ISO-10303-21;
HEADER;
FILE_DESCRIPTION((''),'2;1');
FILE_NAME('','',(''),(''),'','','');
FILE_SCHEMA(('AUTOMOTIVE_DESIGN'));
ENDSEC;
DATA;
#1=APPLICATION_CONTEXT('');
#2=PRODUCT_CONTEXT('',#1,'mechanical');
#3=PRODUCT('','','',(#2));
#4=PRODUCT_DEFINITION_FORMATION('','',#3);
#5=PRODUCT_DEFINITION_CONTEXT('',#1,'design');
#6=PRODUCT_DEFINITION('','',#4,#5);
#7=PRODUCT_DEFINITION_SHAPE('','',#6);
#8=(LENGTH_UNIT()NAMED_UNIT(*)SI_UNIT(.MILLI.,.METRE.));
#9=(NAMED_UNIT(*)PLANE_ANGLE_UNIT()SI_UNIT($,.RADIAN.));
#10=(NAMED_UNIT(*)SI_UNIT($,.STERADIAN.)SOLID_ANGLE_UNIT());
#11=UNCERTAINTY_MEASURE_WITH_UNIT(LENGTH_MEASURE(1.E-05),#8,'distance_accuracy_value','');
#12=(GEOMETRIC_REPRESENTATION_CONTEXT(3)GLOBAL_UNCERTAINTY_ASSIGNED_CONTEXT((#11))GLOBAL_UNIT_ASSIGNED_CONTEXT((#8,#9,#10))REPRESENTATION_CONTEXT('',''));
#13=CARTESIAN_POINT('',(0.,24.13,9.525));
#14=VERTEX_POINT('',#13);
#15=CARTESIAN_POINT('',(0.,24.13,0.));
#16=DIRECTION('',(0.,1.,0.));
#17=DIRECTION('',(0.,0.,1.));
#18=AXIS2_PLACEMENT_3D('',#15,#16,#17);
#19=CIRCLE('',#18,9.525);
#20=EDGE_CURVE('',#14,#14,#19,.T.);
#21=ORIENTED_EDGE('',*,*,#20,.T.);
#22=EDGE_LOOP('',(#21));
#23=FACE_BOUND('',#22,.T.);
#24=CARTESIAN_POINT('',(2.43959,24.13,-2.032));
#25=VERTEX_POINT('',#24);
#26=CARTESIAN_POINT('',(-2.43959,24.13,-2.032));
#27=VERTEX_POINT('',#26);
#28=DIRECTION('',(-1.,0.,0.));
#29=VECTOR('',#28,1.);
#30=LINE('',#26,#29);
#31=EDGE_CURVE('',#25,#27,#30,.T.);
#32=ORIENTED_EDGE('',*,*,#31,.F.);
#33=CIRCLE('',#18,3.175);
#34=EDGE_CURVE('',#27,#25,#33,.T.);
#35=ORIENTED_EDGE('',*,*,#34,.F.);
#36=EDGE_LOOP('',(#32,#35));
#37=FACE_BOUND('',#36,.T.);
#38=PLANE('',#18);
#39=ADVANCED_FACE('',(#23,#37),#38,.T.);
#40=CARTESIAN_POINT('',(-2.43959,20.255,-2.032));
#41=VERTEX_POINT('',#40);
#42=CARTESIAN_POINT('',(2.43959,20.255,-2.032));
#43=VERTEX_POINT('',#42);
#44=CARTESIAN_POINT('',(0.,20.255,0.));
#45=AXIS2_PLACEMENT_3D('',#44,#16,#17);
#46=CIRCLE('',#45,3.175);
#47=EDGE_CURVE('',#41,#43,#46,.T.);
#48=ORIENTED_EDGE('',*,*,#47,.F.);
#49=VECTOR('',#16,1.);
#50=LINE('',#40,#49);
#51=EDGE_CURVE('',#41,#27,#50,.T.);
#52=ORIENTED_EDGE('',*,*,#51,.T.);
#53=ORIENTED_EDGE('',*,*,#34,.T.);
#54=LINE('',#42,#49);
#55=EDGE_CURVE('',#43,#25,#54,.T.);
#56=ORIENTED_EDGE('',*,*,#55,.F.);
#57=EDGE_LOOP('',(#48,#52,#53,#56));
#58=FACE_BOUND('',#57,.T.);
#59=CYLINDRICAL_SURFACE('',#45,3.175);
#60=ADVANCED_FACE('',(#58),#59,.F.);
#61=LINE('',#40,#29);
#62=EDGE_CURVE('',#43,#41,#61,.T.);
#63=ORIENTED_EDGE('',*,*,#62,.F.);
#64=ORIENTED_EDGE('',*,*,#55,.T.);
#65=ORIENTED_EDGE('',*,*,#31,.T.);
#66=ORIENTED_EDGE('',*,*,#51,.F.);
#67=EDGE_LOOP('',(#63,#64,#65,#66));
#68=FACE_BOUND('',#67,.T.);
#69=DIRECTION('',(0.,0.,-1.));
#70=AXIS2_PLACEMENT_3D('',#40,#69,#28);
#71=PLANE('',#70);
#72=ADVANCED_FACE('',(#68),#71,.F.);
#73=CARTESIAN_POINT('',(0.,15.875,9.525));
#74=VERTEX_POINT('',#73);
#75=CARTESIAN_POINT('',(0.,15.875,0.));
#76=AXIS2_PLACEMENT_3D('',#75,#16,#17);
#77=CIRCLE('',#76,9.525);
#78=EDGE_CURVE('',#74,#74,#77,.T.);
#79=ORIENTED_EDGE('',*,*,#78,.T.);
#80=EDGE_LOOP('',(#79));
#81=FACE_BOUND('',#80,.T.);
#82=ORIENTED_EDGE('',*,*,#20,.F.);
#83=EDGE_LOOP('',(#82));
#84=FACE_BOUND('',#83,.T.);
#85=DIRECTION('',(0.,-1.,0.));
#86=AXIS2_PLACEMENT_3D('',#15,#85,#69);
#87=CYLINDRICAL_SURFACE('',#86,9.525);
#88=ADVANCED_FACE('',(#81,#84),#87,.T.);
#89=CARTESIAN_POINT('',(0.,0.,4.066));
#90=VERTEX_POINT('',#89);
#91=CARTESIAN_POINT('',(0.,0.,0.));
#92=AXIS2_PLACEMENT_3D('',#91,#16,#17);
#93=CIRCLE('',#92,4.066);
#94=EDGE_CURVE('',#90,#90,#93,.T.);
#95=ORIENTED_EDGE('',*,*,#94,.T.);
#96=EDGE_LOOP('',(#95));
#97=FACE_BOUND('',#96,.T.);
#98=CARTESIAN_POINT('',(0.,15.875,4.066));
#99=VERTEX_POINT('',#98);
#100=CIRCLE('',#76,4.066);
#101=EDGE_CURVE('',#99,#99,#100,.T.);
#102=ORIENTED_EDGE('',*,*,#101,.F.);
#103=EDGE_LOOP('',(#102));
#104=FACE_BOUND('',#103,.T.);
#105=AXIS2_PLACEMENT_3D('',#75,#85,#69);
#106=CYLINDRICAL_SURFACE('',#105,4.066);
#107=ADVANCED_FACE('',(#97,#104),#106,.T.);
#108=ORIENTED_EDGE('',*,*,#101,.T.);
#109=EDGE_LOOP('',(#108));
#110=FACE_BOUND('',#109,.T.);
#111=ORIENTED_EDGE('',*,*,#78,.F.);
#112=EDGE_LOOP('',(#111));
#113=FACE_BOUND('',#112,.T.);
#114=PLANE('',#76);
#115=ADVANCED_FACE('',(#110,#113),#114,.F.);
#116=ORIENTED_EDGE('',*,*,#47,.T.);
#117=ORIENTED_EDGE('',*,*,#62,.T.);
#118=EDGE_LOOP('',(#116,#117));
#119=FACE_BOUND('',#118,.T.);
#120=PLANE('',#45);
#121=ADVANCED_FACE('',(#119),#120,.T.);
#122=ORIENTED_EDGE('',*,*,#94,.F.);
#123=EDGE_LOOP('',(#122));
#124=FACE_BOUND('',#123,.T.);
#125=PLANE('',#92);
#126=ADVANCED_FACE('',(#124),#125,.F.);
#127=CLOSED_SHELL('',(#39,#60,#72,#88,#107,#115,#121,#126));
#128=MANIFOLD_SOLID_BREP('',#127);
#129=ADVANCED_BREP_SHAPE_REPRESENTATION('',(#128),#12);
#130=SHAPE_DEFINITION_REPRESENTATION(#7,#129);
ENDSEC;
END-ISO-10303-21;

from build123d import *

# Parameters (mm, degrees)
SKETCH2_R           = 4.066
BOSS_EXTRUDE1_DEPTH = 15.875
SKETCH3_R           = 9.525
BOSS_EXTRUDE2_DEPTH = 8.255
CUT_EXTRUDE1_DEPTH  = 3.875


with BuildPart() as part:
    # Sketch2 → Boss-Extrude1 (new body)
    with BuildSketch(Plane(origin=(0, 0, 0), x_dir=(1, 0, 0), z_dir=(0, 1, 0))):
        with Locations(Location((0, 0, 0), (0, 0, 270))):
            Circle(SKETCH2_R)
    extrude(amount=BOSS_EXTRUDE1_DEPTH)

    # Sketch3 → Boss-Extrude2 (add)
    with BuildSketch(Plane(origin=(0, 15.875, 0), x_dir=(1, 0, 0), z_dir=(0, 1, 0))):
        with Locations(Location((0, 0, 0), (0, 0, 270))):
            Circle(SKETCH3_R)
    extrude(amount=BOSS_EXTRUDE2_DEPTH)

    # Sketch4 → Cut-Extrude1 (cut)
    with BuildSketch(Plane(origin=(0, 24.13, 0), x_dir=(1, 0, 0), z_dir=(0, 1, 0))):
        with BuildLine():
            Line((-2.439590334, 2.032), (2.439590334, 2.032))
            ThreePointArc((2.439590334, 2.032), (0, -3.175), (-2.439590334, 2.032))
        make_face()
    extrude(amount=-CUT_EXTRUDE1_DEPTH, mode=Mode.SUBTRACT)


solid = part.part
